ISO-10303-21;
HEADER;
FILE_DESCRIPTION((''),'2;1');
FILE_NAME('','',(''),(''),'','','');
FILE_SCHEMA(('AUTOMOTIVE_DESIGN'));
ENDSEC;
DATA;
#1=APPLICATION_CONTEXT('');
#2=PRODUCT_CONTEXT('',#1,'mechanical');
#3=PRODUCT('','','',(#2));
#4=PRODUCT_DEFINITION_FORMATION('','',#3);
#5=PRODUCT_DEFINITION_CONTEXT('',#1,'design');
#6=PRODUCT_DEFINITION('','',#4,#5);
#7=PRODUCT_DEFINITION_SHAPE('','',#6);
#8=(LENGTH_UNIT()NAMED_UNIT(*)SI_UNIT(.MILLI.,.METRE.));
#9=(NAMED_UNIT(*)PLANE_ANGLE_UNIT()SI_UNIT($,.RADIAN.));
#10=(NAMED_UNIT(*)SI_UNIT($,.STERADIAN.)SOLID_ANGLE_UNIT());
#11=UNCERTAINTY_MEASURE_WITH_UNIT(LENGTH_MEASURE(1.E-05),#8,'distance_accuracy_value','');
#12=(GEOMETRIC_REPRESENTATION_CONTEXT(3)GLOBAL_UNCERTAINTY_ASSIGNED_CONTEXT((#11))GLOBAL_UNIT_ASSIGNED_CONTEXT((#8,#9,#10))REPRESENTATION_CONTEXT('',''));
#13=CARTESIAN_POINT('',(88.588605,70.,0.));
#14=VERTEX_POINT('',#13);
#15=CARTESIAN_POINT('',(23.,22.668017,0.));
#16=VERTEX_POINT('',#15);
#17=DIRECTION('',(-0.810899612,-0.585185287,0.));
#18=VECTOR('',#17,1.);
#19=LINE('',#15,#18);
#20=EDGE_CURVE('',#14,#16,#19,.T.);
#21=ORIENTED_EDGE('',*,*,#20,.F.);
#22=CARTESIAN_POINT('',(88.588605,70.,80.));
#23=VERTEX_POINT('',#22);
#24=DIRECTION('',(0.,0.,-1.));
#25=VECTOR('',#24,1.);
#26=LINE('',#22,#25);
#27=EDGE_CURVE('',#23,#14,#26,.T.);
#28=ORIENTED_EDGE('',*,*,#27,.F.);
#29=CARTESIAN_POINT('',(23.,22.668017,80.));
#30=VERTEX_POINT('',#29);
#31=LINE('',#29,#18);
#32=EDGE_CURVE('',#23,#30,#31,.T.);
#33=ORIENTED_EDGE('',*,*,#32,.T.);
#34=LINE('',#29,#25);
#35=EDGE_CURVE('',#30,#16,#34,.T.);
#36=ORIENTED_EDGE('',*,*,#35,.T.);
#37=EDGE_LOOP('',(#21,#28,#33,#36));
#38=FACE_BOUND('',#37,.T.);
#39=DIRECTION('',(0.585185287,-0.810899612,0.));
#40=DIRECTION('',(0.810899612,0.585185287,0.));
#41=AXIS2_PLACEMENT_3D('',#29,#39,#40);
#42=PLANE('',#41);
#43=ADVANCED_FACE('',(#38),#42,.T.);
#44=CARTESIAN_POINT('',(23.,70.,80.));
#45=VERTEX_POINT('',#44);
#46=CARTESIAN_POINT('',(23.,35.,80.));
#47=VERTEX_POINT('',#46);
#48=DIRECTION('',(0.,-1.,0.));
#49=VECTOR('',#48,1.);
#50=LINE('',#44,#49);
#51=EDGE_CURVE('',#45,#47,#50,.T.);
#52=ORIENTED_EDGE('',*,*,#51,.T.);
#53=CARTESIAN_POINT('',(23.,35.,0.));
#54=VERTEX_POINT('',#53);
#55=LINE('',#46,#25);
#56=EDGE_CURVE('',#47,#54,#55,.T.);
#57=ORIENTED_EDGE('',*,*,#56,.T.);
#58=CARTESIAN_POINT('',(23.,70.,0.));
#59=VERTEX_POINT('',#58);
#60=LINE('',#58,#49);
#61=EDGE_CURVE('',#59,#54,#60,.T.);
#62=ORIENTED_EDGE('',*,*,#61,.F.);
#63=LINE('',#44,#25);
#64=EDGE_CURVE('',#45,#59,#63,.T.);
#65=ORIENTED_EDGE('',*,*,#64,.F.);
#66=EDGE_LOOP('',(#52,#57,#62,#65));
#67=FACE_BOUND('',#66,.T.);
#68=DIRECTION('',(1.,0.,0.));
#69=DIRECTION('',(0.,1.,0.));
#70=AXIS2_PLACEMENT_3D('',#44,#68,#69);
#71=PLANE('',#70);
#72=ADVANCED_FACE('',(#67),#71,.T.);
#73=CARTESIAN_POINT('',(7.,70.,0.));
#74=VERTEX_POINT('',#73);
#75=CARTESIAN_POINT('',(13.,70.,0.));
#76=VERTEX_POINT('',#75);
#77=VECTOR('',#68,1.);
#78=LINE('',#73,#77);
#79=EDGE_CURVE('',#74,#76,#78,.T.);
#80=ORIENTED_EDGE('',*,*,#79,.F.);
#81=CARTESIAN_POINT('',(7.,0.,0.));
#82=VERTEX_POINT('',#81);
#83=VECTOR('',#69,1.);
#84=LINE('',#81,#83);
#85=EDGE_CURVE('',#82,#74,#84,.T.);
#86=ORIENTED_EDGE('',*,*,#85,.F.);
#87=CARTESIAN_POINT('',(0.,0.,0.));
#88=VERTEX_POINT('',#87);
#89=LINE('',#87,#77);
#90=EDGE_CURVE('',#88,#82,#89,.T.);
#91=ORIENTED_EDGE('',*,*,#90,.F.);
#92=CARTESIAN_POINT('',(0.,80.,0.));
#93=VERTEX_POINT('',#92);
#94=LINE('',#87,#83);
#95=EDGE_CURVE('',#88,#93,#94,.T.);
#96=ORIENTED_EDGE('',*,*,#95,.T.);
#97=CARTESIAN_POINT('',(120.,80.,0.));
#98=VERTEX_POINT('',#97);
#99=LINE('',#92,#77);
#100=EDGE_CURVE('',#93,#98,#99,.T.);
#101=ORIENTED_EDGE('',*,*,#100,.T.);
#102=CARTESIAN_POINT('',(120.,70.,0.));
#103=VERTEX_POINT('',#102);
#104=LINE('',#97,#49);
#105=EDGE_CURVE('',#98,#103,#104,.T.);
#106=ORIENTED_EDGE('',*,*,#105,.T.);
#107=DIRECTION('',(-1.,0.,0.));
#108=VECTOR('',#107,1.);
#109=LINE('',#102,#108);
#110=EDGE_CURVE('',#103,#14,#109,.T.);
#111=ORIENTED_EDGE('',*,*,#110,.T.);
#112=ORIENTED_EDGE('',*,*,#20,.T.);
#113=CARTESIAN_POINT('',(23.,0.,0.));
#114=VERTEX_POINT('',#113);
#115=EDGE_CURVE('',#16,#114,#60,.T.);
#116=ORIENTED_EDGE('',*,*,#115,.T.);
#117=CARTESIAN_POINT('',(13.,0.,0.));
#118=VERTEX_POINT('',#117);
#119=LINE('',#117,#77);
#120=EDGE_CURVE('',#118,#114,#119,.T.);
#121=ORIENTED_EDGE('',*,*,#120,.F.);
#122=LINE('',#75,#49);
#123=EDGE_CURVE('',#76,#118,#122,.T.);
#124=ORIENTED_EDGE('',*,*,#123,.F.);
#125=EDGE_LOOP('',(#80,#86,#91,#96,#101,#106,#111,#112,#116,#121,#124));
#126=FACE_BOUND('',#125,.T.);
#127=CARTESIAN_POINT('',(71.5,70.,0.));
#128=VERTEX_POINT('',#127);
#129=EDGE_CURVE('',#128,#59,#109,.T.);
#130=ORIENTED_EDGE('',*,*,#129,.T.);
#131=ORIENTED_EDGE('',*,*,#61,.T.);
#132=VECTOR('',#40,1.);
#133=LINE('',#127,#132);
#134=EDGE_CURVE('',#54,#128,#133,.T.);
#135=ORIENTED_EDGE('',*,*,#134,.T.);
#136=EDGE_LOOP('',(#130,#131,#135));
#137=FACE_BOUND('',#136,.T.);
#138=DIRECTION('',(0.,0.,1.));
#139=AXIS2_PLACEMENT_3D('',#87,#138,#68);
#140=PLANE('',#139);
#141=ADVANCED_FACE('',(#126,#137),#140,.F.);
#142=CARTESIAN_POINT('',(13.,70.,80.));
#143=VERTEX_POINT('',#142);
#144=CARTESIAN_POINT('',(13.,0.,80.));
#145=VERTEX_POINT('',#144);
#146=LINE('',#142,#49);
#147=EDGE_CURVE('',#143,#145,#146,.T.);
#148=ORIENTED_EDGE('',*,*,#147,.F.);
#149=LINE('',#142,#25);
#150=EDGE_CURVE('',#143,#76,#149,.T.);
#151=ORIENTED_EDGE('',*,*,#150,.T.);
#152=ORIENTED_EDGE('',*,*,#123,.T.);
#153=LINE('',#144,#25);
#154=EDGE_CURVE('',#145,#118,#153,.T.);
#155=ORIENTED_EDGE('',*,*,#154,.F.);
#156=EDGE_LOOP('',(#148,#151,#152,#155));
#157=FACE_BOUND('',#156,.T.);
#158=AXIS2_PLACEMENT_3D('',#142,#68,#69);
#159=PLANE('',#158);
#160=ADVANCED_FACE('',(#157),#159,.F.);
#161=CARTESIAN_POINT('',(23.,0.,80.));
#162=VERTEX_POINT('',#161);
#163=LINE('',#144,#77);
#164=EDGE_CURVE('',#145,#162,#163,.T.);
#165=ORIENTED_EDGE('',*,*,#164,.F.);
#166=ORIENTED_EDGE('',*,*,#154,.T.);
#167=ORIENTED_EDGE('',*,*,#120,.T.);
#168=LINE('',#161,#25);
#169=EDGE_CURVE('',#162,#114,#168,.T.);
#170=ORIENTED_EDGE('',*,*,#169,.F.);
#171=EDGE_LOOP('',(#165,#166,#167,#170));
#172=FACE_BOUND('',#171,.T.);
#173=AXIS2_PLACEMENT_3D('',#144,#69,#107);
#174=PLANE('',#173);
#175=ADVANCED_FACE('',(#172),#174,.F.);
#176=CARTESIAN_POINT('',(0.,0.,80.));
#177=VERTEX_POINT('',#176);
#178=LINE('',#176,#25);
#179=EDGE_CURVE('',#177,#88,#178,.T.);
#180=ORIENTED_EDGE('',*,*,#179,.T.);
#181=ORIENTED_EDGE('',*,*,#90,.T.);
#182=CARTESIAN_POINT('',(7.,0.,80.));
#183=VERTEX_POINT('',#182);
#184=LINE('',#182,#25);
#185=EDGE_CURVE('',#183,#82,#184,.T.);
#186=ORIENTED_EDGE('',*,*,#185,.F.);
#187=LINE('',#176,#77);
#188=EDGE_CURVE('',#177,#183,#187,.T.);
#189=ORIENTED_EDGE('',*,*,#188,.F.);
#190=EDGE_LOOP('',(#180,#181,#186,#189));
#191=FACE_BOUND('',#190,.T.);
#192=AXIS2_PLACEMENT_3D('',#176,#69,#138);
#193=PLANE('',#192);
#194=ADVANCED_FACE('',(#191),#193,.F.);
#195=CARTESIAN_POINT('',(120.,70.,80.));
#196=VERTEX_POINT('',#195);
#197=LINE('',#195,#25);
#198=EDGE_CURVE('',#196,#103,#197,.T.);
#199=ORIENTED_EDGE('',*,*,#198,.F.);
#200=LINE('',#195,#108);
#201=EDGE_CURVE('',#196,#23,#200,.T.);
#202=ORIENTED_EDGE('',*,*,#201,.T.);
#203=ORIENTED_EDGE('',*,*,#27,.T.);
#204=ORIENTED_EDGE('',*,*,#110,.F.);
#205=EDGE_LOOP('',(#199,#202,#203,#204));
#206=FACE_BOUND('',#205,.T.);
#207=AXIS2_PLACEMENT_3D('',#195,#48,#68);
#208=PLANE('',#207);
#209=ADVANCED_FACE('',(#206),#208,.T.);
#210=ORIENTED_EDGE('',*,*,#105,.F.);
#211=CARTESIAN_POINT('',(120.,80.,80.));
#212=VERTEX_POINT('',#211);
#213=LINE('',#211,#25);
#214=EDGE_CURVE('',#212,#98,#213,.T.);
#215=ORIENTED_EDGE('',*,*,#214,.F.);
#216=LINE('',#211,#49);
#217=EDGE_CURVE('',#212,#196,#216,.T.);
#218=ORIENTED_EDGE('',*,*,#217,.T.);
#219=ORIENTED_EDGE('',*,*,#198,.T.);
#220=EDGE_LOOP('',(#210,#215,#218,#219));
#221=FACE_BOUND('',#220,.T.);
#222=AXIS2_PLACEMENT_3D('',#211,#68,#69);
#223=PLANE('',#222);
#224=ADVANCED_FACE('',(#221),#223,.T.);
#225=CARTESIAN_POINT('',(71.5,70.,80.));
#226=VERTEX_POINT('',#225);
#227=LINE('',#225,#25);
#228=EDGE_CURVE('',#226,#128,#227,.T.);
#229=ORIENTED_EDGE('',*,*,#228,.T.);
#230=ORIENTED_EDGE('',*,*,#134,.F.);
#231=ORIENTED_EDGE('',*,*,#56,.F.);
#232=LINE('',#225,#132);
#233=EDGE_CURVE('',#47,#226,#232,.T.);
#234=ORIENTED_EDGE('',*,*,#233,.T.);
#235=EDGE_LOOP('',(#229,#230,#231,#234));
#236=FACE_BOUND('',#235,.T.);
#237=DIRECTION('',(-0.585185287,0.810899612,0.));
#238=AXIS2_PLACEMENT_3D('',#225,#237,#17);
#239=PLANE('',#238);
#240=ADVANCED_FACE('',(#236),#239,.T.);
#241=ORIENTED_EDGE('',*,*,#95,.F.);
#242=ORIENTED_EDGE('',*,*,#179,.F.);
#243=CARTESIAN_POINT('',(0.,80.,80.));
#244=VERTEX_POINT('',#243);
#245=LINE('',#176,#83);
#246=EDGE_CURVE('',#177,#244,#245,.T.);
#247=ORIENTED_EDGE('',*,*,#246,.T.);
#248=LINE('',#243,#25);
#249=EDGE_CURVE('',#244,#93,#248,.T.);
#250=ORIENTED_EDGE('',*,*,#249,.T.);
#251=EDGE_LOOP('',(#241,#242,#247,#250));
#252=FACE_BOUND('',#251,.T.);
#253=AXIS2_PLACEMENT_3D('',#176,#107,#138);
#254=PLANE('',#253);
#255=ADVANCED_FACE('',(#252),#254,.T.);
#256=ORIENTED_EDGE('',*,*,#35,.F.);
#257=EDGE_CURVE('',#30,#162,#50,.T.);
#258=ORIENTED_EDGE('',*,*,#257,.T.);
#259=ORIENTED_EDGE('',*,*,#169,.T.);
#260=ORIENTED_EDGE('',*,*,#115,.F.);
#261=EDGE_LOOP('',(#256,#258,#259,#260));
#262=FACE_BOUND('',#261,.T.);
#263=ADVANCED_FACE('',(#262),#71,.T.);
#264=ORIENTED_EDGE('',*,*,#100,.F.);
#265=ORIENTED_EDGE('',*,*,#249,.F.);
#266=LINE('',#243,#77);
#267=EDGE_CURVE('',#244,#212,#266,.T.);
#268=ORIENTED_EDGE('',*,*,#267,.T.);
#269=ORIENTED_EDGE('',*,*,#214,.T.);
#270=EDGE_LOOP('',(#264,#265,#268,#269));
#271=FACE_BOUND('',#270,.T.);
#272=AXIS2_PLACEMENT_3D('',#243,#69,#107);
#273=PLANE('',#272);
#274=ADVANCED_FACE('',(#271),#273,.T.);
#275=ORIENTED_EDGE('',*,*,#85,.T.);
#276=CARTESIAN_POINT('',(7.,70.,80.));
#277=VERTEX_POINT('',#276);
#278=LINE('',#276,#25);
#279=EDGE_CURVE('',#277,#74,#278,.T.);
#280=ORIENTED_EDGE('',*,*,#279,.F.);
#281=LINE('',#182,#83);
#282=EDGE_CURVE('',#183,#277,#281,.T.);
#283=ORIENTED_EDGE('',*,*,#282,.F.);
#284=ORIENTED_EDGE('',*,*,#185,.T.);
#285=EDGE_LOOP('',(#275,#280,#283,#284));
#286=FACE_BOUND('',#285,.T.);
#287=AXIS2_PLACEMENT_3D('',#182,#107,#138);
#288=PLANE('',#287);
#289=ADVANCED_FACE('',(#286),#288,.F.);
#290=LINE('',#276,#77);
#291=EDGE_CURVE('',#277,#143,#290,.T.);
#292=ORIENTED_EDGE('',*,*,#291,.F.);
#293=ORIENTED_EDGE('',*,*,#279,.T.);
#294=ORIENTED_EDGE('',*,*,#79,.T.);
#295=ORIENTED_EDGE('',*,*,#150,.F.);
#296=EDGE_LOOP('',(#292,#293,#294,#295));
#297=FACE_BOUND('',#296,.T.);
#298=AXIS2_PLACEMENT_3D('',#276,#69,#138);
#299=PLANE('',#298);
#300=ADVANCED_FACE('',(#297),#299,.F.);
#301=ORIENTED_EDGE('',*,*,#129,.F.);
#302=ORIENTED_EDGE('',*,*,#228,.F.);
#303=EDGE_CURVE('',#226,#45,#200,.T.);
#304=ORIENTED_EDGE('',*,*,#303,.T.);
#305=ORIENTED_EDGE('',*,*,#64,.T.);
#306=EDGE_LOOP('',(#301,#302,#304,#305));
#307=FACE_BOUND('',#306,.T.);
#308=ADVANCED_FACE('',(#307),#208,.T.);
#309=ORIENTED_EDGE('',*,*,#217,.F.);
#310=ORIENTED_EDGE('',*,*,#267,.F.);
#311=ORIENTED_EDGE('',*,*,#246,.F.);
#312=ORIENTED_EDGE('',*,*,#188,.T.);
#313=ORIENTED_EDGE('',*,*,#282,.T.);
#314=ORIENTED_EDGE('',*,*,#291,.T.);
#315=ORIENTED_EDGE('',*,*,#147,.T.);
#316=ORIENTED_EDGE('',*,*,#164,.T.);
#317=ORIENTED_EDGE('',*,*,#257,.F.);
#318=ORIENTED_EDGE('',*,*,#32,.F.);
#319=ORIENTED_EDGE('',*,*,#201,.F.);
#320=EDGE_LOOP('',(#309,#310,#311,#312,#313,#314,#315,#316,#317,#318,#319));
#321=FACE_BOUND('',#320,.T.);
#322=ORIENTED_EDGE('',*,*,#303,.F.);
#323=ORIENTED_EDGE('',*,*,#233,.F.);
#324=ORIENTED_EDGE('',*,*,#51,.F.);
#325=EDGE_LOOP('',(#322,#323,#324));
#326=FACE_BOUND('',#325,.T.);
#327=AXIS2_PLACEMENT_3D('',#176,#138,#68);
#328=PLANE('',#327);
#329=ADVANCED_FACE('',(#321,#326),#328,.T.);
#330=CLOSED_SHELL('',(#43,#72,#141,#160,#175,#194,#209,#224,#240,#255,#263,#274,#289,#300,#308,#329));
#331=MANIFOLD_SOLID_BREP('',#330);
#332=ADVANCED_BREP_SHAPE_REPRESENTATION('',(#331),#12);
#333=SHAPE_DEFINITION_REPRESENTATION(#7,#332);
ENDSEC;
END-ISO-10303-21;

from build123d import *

# Parameters (mm, degrees)
BOSS_EXTRU_1_DEPTH = 80
BOSS_EXTRU_3_DEPTH = 80


with BuildPart() as part:
    # Esquisse1 → Boss.-Extru.1 (new body)
    with BuildSketch(Plane.XY):
        Polygon((0, 0), (0, 80), (120, 80), (120, 70), (23, 70), (23, 0), (13, 0), (13, 70), (7, 70), (7, 0), align=None)
    extrude(amount=BOSS_EXTRU_1_DEPTH)

    # Esquisse2 → Boss.-Extru.3 (add)
    with BuildSketch(Plane(origin=(0, 0, 0), x_dir=(-1, 0, 0), z_dir=(0, 0, -1))):
        Polygon((-71.5, 70), (-23, 35), (-23, 22.668017278), (-88.588604629, 70), align=None)
    extrude(amount=-BOSS_EXTRU_3_DEPTH)


solid = part.part
